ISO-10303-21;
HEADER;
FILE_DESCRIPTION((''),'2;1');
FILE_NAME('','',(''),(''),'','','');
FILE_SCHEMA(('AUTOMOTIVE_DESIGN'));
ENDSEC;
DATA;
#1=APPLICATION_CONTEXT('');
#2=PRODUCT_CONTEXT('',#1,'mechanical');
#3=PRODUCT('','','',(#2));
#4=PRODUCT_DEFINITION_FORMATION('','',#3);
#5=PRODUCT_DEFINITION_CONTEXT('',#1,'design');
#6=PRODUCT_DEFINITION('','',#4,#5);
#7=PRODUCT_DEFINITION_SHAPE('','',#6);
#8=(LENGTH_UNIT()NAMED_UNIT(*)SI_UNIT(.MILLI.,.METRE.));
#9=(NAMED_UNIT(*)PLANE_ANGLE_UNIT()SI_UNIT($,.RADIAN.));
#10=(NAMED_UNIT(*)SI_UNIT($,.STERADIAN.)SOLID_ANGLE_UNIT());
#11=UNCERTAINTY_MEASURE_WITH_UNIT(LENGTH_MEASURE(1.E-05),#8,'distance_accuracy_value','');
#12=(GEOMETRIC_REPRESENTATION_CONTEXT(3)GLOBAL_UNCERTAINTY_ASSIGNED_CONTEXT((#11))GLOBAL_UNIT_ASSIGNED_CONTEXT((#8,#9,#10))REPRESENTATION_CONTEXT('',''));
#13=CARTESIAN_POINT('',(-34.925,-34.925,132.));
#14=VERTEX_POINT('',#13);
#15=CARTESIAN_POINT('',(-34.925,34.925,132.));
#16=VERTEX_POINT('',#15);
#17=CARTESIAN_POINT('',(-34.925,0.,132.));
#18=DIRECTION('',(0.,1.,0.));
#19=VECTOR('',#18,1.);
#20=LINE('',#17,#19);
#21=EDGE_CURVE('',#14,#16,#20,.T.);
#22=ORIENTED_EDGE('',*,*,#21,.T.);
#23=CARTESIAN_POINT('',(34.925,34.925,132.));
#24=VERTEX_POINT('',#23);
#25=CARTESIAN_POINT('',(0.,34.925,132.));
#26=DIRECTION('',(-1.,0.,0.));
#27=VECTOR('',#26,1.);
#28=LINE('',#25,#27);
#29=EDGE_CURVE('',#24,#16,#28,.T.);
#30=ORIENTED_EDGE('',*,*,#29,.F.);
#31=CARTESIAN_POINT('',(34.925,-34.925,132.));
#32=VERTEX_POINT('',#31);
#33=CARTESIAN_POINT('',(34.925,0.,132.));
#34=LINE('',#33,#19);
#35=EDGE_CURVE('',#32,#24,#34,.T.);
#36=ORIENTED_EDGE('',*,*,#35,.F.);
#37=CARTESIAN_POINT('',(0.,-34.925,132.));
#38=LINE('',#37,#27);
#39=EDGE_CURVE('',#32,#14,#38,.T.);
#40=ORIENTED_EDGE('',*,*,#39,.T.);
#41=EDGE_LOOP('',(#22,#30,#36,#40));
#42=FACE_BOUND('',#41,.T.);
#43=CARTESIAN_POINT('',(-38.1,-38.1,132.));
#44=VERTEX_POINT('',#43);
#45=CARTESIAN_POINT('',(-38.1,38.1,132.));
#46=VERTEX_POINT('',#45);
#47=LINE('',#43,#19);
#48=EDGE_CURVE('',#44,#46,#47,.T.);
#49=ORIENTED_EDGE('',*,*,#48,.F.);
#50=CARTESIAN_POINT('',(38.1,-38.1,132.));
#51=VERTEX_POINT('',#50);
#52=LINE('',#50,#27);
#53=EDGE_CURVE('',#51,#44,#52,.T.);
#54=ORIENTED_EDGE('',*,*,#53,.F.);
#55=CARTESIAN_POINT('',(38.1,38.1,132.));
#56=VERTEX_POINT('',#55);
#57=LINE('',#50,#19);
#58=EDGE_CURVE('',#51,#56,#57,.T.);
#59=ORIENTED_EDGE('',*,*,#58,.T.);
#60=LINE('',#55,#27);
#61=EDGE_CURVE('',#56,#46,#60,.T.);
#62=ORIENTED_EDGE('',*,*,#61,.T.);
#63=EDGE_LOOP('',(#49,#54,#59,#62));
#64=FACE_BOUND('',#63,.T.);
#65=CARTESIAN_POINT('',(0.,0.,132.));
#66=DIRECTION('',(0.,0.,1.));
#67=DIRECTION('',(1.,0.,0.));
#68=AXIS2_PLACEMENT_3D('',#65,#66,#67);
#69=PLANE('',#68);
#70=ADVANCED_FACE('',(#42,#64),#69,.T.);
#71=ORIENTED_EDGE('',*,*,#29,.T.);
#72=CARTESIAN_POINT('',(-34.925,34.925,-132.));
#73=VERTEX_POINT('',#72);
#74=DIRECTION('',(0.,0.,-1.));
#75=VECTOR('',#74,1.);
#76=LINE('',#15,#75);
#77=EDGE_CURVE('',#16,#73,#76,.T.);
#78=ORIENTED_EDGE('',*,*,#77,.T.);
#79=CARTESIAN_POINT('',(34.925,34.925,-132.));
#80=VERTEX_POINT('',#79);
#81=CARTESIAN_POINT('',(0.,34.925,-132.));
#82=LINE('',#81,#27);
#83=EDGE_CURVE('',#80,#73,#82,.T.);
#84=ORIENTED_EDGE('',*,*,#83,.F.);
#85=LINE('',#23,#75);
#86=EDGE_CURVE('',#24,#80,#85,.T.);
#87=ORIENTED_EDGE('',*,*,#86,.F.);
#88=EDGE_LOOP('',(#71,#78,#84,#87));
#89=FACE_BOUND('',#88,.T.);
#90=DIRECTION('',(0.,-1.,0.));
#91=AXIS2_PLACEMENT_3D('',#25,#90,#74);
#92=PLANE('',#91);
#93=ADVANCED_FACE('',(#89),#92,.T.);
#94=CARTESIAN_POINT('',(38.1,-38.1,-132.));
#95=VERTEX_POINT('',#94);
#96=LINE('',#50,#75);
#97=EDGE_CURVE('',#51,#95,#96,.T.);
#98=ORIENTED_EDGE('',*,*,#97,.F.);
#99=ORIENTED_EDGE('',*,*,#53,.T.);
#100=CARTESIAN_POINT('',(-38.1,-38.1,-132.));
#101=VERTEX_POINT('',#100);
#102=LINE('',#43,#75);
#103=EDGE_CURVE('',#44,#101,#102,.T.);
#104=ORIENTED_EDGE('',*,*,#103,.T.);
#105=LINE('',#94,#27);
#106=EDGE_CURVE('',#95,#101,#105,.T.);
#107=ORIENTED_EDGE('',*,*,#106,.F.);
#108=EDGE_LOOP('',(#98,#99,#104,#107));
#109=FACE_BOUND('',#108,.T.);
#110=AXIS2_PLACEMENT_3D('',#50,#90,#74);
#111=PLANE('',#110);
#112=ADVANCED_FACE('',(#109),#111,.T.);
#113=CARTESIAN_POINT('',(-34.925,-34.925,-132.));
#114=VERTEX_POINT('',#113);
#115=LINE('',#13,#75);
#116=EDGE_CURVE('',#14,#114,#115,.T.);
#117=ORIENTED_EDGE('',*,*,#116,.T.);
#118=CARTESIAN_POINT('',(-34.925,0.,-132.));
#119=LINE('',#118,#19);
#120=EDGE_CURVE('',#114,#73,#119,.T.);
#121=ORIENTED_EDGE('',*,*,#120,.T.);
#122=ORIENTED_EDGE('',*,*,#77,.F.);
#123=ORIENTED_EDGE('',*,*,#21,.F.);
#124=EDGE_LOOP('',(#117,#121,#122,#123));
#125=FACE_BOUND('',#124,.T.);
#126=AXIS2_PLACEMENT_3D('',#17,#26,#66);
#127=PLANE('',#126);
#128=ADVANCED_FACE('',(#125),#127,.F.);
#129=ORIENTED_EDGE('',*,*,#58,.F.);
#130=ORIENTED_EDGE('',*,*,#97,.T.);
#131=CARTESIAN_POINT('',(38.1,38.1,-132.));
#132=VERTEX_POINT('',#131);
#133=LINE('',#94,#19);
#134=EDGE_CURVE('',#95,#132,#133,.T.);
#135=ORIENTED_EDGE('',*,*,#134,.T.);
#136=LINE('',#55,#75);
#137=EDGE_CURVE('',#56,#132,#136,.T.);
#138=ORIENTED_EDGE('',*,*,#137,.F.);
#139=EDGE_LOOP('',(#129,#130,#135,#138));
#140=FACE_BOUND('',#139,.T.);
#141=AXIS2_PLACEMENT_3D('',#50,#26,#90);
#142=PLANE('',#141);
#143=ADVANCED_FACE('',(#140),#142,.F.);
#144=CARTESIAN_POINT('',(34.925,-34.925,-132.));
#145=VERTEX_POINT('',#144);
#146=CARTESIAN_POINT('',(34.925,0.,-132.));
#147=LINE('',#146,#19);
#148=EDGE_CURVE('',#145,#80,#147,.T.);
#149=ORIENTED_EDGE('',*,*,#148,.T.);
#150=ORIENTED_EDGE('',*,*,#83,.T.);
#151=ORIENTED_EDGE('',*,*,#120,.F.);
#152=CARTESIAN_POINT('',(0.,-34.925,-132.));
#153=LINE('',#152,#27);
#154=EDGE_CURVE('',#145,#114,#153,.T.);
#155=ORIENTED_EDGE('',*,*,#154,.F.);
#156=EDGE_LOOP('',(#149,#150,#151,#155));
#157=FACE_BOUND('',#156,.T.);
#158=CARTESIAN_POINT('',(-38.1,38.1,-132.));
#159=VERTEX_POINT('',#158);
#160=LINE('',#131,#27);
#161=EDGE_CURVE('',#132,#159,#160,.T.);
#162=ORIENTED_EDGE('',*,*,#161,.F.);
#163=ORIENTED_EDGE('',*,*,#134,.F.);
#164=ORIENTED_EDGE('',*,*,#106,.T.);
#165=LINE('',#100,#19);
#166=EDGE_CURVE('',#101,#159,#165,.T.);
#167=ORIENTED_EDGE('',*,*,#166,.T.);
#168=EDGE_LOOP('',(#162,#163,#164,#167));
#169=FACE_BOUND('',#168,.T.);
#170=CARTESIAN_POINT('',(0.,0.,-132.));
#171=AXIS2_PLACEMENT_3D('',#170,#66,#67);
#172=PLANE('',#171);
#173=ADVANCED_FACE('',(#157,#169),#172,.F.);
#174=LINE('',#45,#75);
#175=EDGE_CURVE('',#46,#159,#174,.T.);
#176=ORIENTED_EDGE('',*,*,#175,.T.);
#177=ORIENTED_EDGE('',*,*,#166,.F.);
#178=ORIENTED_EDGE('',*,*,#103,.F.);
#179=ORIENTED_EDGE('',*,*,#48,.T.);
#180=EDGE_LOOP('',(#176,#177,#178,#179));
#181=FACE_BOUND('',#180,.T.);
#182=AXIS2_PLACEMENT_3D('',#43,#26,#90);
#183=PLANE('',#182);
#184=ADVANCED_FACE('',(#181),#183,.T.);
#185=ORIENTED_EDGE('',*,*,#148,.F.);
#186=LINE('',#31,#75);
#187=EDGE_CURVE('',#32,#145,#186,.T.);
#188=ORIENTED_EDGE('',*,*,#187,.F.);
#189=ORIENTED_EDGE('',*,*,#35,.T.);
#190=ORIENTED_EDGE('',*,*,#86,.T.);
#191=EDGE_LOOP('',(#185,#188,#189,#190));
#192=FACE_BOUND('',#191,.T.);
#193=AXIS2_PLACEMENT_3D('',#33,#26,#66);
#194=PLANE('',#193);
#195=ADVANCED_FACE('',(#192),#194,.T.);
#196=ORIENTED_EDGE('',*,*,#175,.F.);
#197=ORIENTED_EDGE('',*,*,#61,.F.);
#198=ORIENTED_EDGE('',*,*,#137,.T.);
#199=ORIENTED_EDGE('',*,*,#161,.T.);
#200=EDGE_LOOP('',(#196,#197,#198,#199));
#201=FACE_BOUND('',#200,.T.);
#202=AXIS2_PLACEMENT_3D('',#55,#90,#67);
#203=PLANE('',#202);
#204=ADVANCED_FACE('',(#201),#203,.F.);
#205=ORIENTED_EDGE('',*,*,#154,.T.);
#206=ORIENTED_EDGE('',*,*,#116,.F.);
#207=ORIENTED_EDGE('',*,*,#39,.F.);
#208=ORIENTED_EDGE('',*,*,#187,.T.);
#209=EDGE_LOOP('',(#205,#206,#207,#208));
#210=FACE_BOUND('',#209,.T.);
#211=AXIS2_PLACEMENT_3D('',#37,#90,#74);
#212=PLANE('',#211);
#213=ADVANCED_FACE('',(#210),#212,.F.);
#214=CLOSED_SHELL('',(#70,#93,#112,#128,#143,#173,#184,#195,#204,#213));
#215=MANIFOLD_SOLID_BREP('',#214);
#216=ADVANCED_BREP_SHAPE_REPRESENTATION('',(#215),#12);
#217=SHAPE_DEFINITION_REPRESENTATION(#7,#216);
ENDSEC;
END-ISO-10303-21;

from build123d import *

# Parameters (mm, degrees)
SKETCH1_W           = 76.2
SKETCH1_H           = 76.2
SKETCH1_W_2         = 69.85
SKETCH1_H_2         = 69.85
BOSS_EXTRUDE1_DEPTH = 132


with BuildPart() as part:
    # Sketch1 → Boss-Extrude1 (new, symmetric)
    with BuildSketch(Plane.XY):
        Rectangle(SKETCH1_W, SKETCH1_H)
        Rectangle(SKETCH1_W_2, SKETCH1_H_2, mode=Mode.SUBTRACT)
    extrude(amount=BOSS_EXTRUDE1_DEPTH, both=True)


solid = part.part
